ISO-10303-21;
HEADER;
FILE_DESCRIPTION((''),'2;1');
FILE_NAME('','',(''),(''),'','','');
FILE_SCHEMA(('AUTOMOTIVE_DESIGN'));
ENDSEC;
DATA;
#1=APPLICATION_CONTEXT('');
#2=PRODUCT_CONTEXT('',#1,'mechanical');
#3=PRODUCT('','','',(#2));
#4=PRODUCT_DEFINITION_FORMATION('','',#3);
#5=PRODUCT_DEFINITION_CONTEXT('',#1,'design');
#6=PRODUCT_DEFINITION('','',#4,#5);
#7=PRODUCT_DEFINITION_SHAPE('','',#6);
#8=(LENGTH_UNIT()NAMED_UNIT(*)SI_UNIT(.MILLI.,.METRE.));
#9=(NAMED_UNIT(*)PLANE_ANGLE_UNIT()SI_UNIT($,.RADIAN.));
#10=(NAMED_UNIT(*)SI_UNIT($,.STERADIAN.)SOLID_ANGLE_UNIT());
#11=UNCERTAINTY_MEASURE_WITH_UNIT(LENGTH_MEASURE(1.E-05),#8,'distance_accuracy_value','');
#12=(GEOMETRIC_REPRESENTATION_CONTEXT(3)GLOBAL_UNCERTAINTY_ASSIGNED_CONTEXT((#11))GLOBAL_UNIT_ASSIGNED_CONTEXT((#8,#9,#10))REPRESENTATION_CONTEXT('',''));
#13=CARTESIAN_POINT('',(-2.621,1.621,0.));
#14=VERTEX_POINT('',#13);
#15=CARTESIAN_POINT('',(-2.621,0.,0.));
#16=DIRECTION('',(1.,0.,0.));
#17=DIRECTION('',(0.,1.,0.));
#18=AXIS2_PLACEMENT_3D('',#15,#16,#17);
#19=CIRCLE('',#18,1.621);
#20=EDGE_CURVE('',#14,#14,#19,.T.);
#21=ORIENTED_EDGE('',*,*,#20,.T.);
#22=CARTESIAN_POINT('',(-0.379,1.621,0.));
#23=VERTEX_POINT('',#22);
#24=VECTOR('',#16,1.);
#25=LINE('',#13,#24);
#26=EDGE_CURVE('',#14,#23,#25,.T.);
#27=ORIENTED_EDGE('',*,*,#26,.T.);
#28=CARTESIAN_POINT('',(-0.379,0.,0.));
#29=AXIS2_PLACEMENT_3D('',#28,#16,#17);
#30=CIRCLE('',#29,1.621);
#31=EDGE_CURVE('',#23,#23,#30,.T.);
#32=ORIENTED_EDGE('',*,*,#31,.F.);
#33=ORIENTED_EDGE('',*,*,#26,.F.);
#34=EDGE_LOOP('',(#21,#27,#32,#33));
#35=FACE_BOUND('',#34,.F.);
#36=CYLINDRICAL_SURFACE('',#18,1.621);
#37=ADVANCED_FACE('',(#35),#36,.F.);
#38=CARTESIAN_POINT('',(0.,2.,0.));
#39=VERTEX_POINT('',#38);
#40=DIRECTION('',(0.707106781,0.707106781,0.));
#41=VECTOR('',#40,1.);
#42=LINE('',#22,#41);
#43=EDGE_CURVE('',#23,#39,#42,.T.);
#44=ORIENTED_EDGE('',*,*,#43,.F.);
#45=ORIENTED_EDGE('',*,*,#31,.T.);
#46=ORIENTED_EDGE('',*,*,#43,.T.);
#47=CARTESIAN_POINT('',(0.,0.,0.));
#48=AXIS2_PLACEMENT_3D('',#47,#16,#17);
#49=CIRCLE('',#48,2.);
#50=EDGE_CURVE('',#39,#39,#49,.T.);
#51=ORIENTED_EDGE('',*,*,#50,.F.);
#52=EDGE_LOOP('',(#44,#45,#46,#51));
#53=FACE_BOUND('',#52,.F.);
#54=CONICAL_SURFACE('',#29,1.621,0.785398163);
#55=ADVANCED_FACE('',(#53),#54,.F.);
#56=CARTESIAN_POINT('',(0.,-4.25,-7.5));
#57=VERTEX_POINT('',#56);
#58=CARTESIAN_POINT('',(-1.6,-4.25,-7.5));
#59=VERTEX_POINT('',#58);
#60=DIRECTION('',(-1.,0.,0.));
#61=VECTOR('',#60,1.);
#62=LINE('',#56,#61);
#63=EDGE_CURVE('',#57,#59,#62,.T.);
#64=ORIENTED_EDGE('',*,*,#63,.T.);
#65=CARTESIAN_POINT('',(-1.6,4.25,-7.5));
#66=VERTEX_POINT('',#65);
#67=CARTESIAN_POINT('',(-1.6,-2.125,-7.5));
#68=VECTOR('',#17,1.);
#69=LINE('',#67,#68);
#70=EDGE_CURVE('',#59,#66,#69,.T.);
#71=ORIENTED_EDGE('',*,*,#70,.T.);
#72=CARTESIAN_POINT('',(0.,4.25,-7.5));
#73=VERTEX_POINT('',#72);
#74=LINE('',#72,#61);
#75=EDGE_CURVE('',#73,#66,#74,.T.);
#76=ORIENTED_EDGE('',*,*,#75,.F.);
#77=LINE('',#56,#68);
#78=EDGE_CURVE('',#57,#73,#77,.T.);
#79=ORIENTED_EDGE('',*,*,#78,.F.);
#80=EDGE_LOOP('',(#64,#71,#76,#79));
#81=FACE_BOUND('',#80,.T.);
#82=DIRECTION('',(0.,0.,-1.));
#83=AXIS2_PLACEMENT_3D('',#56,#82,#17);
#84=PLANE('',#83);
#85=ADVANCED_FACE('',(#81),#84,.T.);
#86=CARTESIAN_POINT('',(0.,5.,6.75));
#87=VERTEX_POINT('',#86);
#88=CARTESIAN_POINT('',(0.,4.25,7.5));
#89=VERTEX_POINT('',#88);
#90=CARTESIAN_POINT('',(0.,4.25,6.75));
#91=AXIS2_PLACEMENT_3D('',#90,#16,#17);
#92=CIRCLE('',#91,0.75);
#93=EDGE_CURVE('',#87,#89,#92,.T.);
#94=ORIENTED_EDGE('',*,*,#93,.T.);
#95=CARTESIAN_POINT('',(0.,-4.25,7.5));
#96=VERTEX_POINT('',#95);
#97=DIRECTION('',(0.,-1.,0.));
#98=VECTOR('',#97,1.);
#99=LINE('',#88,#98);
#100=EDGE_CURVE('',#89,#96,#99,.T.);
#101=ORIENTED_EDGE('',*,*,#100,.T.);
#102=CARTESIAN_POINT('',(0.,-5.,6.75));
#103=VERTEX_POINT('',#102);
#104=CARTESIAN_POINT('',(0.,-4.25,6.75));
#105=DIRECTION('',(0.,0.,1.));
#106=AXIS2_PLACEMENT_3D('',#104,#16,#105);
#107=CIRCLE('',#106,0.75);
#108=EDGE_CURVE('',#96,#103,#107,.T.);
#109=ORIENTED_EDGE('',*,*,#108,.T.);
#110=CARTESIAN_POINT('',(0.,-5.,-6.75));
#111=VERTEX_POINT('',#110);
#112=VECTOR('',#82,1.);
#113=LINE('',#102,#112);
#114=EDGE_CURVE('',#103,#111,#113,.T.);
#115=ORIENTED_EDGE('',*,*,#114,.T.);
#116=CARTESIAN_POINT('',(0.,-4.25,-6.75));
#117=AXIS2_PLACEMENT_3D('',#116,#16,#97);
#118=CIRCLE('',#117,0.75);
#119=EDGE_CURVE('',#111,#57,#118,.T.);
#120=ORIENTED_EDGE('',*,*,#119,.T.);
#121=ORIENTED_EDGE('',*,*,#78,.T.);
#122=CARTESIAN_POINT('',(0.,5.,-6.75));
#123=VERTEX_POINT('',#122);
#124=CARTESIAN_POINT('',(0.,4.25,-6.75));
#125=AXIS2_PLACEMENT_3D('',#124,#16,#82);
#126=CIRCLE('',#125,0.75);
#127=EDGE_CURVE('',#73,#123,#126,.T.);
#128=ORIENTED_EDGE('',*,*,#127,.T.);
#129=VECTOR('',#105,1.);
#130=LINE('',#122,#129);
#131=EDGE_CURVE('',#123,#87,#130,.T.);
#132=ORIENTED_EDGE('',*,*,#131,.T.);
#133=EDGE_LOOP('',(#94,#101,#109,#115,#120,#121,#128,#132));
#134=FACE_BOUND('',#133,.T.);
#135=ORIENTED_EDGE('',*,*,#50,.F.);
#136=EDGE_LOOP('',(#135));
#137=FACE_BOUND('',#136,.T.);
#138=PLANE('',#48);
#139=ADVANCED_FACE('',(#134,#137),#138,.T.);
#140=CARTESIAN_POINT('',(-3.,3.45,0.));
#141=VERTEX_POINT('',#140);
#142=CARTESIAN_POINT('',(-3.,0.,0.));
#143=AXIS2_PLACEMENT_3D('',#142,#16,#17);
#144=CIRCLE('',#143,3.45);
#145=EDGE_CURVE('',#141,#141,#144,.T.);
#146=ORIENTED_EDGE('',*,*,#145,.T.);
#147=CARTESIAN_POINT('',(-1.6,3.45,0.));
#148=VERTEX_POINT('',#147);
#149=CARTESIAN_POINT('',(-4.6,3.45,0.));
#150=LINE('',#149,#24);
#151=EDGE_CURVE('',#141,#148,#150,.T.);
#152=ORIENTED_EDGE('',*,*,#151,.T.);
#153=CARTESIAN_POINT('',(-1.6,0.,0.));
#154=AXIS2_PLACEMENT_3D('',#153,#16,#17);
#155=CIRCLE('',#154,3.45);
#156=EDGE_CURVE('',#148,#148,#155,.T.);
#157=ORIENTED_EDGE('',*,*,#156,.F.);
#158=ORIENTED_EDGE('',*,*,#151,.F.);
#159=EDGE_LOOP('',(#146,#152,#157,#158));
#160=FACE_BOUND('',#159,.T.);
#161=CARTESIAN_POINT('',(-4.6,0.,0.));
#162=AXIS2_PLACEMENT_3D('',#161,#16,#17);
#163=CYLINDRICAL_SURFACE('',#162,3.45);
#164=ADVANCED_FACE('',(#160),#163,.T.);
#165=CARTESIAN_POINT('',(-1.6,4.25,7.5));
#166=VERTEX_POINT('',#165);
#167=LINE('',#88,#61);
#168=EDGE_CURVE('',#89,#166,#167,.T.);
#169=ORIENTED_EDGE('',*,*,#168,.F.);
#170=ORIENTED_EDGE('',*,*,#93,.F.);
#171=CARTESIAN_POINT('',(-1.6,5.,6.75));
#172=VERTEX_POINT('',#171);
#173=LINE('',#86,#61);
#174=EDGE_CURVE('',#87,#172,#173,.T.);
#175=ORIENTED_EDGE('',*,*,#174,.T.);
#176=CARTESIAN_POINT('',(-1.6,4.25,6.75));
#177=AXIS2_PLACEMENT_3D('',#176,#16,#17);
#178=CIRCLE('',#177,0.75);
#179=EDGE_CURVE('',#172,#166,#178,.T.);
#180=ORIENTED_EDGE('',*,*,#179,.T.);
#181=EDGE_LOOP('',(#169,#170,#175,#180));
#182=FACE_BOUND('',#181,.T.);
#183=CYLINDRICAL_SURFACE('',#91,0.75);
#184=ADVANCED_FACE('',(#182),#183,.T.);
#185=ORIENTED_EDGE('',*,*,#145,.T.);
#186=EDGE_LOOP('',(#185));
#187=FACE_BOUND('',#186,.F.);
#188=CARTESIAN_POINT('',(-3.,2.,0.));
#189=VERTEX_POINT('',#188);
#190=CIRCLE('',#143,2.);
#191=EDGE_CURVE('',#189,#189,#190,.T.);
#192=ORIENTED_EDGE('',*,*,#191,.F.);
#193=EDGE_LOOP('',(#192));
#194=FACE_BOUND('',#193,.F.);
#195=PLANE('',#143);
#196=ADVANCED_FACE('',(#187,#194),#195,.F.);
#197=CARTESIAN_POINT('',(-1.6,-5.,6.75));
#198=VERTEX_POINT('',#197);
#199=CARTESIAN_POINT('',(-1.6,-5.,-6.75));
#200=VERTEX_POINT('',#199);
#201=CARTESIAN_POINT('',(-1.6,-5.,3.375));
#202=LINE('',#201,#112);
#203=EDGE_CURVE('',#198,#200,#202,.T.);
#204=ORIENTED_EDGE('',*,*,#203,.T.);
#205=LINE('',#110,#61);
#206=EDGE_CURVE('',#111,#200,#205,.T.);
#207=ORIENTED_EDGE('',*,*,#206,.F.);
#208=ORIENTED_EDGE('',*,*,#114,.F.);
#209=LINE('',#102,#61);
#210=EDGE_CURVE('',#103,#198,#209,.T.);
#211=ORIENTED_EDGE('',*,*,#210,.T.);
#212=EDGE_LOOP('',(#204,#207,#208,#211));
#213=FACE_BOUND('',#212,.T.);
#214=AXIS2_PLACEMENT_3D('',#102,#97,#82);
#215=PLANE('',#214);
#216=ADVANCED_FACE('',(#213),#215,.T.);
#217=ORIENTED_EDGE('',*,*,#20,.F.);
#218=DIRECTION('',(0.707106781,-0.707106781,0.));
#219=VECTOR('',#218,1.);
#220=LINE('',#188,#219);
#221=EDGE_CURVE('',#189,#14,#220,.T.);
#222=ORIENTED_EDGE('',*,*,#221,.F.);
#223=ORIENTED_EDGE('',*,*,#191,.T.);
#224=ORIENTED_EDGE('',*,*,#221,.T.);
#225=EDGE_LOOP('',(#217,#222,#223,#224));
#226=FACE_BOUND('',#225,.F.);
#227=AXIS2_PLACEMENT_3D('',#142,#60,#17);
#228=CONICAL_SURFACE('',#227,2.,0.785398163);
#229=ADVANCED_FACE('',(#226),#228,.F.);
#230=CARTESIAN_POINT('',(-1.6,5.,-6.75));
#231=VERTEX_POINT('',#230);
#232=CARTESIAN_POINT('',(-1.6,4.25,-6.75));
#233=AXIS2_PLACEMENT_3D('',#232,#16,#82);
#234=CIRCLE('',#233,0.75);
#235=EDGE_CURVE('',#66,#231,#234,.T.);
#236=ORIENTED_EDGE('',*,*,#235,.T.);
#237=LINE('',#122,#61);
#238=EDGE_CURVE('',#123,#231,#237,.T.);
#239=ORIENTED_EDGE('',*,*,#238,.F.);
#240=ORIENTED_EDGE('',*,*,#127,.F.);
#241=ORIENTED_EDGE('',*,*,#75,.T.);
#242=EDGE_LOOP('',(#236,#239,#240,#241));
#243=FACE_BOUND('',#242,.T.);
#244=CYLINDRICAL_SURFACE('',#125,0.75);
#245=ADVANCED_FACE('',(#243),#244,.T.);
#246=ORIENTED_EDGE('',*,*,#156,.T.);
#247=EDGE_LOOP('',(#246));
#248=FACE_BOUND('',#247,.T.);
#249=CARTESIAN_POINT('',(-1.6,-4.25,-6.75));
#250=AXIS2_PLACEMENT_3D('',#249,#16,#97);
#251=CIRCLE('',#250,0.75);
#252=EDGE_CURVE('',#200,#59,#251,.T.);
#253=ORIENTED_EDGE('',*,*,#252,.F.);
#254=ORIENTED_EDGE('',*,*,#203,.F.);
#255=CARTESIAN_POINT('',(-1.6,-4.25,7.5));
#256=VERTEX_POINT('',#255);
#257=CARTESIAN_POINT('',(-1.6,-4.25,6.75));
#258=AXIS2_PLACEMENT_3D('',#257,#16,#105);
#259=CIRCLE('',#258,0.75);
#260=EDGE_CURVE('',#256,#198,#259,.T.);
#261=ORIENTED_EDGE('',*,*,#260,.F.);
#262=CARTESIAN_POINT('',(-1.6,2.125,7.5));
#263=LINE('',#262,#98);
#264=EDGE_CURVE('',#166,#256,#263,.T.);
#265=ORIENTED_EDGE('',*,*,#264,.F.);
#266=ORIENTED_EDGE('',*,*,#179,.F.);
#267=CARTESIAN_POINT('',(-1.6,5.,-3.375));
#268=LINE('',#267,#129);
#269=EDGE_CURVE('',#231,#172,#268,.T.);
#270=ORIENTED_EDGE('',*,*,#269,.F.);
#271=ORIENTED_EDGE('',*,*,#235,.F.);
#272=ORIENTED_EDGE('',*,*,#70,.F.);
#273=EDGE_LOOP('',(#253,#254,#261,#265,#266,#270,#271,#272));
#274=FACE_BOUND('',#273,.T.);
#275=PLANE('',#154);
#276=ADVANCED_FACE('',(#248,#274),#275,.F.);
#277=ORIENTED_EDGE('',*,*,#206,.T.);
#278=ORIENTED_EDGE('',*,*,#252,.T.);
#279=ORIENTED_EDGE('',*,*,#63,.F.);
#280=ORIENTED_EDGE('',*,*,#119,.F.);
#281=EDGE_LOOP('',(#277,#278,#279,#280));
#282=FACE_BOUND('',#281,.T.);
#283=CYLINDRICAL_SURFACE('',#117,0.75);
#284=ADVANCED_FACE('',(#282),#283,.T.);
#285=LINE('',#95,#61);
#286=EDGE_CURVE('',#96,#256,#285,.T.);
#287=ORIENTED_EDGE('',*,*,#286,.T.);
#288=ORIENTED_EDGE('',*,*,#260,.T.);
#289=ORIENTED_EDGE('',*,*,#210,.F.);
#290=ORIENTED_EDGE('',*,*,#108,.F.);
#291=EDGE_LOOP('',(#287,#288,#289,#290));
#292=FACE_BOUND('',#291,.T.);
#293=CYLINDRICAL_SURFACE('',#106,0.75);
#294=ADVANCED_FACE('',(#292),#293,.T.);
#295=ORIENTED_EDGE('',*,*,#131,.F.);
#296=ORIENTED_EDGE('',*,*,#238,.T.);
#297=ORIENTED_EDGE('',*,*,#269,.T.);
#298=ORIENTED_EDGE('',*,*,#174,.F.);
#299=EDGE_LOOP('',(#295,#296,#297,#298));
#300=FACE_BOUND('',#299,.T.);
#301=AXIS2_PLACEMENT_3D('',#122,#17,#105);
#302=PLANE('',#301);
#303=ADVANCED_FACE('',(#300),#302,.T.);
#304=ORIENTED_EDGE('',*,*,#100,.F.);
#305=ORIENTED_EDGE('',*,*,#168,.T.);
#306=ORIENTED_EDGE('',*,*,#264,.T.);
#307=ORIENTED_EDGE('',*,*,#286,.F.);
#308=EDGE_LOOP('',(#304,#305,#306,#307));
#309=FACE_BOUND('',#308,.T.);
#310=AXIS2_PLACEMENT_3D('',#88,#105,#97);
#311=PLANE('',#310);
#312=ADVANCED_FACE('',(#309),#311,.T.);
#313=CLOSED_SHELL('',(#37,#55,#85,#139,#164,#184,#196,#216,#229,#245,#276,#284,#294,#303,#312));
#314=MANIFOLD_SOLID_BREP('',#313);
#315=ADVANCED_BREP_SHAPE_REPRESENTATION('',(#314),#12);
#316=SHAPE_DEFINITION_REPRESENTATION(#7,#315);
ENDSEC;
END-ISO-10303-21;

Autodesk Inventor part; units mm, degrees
sketch "Sketch_1" plane through (0, 0, 0) normal (1, 0, 0) x (0, 1, 0)
  line L0 (4.25, 7.5) -> (-4.25, 7.5)
  arc A0 (-4.25, 7.5) -> (-5, 6.75) centre (-4.25, 6.75) ccw
  line L1 (-5, 6.75) -> (-5, -6.75)
  arc A1 (-5, -6.75) -> (-4.25, -7.5) centre (-4.25, -6.75) ccw
  line L2 (-4.25, -7.5) -> (4.25, -7.5)
  arc A2 (4.25, -7.5) -> (5, -6.75) centre (4.25, -6.75) ccw
  line L3 (5, -6.75) -> (5, 6.75)
  arc A3 (5, 6.75) -> (4.25, 7.5) centre (4.25, 6.75) ccw
extrude "Extrusion1" add sketch "Sketch_1" against normal blind 3
sketch "Sketch_2" plane through (0, 0, 0) normal (0, 0, 1) x (1, 0, 0)
  line L0 (3, 0) -> (-3, 0)
  line L1 (-4.6, 3.45) -> (-1.6, 3.45)
  line L2 (-1.6, 3.45) -> (-1.6, 13.45)
  line L3 (-1.6, 13.45) -> (-4.6, 13.45)
  line L4 (-4.6, 13.45) -> (-4.6, 3.45)
revolve "Revolution1" cut sketch "Sketch_2" angle 360 about axis through (3, 0, 0) along (1, 0, 0)
sketch "Sketch_3" plane through (0, 0, 0) normal (0, 0, 1) x (1, 0, 0)
  line L0 (0, 0) -> (-3, 0)
  line L1 (-3, 0) -> (-3, 2)
  line L2 (-3, 2) -> (-2.621, 1.621)
  line L3 (-2.621, 1.621) -> (-0.379, 1.621)
  line L4 (-0.379, 1.621) -> (0, 2)
  line L5 (0, 2) -> (0, 0)
  line L6 (0, 0) -> (-3, 0)
revolve "Revolution2" cut sketch "Sketch_3" angle 360 about axis through (0, 0, 0) along (1, 0, 0)
thread "Thread1" size "M4x0.7" class "6H" standard "ISO Metric profile" full length
ref_plane "dummy_XY" through (0, 0, 0) normal (1, 0, 0) x (0, 0, -1)
ref_plane "dummy_YZ" through (0, 0, 0) normal (0, 0, -1) x (0, 1, 0)
ref_plane "dummy_ZX" through (0, 0, 0) normal (0, 1, 0) x (1, 0, 0)
properties part number "HNKK5-4" material "Steel, Alloy"
